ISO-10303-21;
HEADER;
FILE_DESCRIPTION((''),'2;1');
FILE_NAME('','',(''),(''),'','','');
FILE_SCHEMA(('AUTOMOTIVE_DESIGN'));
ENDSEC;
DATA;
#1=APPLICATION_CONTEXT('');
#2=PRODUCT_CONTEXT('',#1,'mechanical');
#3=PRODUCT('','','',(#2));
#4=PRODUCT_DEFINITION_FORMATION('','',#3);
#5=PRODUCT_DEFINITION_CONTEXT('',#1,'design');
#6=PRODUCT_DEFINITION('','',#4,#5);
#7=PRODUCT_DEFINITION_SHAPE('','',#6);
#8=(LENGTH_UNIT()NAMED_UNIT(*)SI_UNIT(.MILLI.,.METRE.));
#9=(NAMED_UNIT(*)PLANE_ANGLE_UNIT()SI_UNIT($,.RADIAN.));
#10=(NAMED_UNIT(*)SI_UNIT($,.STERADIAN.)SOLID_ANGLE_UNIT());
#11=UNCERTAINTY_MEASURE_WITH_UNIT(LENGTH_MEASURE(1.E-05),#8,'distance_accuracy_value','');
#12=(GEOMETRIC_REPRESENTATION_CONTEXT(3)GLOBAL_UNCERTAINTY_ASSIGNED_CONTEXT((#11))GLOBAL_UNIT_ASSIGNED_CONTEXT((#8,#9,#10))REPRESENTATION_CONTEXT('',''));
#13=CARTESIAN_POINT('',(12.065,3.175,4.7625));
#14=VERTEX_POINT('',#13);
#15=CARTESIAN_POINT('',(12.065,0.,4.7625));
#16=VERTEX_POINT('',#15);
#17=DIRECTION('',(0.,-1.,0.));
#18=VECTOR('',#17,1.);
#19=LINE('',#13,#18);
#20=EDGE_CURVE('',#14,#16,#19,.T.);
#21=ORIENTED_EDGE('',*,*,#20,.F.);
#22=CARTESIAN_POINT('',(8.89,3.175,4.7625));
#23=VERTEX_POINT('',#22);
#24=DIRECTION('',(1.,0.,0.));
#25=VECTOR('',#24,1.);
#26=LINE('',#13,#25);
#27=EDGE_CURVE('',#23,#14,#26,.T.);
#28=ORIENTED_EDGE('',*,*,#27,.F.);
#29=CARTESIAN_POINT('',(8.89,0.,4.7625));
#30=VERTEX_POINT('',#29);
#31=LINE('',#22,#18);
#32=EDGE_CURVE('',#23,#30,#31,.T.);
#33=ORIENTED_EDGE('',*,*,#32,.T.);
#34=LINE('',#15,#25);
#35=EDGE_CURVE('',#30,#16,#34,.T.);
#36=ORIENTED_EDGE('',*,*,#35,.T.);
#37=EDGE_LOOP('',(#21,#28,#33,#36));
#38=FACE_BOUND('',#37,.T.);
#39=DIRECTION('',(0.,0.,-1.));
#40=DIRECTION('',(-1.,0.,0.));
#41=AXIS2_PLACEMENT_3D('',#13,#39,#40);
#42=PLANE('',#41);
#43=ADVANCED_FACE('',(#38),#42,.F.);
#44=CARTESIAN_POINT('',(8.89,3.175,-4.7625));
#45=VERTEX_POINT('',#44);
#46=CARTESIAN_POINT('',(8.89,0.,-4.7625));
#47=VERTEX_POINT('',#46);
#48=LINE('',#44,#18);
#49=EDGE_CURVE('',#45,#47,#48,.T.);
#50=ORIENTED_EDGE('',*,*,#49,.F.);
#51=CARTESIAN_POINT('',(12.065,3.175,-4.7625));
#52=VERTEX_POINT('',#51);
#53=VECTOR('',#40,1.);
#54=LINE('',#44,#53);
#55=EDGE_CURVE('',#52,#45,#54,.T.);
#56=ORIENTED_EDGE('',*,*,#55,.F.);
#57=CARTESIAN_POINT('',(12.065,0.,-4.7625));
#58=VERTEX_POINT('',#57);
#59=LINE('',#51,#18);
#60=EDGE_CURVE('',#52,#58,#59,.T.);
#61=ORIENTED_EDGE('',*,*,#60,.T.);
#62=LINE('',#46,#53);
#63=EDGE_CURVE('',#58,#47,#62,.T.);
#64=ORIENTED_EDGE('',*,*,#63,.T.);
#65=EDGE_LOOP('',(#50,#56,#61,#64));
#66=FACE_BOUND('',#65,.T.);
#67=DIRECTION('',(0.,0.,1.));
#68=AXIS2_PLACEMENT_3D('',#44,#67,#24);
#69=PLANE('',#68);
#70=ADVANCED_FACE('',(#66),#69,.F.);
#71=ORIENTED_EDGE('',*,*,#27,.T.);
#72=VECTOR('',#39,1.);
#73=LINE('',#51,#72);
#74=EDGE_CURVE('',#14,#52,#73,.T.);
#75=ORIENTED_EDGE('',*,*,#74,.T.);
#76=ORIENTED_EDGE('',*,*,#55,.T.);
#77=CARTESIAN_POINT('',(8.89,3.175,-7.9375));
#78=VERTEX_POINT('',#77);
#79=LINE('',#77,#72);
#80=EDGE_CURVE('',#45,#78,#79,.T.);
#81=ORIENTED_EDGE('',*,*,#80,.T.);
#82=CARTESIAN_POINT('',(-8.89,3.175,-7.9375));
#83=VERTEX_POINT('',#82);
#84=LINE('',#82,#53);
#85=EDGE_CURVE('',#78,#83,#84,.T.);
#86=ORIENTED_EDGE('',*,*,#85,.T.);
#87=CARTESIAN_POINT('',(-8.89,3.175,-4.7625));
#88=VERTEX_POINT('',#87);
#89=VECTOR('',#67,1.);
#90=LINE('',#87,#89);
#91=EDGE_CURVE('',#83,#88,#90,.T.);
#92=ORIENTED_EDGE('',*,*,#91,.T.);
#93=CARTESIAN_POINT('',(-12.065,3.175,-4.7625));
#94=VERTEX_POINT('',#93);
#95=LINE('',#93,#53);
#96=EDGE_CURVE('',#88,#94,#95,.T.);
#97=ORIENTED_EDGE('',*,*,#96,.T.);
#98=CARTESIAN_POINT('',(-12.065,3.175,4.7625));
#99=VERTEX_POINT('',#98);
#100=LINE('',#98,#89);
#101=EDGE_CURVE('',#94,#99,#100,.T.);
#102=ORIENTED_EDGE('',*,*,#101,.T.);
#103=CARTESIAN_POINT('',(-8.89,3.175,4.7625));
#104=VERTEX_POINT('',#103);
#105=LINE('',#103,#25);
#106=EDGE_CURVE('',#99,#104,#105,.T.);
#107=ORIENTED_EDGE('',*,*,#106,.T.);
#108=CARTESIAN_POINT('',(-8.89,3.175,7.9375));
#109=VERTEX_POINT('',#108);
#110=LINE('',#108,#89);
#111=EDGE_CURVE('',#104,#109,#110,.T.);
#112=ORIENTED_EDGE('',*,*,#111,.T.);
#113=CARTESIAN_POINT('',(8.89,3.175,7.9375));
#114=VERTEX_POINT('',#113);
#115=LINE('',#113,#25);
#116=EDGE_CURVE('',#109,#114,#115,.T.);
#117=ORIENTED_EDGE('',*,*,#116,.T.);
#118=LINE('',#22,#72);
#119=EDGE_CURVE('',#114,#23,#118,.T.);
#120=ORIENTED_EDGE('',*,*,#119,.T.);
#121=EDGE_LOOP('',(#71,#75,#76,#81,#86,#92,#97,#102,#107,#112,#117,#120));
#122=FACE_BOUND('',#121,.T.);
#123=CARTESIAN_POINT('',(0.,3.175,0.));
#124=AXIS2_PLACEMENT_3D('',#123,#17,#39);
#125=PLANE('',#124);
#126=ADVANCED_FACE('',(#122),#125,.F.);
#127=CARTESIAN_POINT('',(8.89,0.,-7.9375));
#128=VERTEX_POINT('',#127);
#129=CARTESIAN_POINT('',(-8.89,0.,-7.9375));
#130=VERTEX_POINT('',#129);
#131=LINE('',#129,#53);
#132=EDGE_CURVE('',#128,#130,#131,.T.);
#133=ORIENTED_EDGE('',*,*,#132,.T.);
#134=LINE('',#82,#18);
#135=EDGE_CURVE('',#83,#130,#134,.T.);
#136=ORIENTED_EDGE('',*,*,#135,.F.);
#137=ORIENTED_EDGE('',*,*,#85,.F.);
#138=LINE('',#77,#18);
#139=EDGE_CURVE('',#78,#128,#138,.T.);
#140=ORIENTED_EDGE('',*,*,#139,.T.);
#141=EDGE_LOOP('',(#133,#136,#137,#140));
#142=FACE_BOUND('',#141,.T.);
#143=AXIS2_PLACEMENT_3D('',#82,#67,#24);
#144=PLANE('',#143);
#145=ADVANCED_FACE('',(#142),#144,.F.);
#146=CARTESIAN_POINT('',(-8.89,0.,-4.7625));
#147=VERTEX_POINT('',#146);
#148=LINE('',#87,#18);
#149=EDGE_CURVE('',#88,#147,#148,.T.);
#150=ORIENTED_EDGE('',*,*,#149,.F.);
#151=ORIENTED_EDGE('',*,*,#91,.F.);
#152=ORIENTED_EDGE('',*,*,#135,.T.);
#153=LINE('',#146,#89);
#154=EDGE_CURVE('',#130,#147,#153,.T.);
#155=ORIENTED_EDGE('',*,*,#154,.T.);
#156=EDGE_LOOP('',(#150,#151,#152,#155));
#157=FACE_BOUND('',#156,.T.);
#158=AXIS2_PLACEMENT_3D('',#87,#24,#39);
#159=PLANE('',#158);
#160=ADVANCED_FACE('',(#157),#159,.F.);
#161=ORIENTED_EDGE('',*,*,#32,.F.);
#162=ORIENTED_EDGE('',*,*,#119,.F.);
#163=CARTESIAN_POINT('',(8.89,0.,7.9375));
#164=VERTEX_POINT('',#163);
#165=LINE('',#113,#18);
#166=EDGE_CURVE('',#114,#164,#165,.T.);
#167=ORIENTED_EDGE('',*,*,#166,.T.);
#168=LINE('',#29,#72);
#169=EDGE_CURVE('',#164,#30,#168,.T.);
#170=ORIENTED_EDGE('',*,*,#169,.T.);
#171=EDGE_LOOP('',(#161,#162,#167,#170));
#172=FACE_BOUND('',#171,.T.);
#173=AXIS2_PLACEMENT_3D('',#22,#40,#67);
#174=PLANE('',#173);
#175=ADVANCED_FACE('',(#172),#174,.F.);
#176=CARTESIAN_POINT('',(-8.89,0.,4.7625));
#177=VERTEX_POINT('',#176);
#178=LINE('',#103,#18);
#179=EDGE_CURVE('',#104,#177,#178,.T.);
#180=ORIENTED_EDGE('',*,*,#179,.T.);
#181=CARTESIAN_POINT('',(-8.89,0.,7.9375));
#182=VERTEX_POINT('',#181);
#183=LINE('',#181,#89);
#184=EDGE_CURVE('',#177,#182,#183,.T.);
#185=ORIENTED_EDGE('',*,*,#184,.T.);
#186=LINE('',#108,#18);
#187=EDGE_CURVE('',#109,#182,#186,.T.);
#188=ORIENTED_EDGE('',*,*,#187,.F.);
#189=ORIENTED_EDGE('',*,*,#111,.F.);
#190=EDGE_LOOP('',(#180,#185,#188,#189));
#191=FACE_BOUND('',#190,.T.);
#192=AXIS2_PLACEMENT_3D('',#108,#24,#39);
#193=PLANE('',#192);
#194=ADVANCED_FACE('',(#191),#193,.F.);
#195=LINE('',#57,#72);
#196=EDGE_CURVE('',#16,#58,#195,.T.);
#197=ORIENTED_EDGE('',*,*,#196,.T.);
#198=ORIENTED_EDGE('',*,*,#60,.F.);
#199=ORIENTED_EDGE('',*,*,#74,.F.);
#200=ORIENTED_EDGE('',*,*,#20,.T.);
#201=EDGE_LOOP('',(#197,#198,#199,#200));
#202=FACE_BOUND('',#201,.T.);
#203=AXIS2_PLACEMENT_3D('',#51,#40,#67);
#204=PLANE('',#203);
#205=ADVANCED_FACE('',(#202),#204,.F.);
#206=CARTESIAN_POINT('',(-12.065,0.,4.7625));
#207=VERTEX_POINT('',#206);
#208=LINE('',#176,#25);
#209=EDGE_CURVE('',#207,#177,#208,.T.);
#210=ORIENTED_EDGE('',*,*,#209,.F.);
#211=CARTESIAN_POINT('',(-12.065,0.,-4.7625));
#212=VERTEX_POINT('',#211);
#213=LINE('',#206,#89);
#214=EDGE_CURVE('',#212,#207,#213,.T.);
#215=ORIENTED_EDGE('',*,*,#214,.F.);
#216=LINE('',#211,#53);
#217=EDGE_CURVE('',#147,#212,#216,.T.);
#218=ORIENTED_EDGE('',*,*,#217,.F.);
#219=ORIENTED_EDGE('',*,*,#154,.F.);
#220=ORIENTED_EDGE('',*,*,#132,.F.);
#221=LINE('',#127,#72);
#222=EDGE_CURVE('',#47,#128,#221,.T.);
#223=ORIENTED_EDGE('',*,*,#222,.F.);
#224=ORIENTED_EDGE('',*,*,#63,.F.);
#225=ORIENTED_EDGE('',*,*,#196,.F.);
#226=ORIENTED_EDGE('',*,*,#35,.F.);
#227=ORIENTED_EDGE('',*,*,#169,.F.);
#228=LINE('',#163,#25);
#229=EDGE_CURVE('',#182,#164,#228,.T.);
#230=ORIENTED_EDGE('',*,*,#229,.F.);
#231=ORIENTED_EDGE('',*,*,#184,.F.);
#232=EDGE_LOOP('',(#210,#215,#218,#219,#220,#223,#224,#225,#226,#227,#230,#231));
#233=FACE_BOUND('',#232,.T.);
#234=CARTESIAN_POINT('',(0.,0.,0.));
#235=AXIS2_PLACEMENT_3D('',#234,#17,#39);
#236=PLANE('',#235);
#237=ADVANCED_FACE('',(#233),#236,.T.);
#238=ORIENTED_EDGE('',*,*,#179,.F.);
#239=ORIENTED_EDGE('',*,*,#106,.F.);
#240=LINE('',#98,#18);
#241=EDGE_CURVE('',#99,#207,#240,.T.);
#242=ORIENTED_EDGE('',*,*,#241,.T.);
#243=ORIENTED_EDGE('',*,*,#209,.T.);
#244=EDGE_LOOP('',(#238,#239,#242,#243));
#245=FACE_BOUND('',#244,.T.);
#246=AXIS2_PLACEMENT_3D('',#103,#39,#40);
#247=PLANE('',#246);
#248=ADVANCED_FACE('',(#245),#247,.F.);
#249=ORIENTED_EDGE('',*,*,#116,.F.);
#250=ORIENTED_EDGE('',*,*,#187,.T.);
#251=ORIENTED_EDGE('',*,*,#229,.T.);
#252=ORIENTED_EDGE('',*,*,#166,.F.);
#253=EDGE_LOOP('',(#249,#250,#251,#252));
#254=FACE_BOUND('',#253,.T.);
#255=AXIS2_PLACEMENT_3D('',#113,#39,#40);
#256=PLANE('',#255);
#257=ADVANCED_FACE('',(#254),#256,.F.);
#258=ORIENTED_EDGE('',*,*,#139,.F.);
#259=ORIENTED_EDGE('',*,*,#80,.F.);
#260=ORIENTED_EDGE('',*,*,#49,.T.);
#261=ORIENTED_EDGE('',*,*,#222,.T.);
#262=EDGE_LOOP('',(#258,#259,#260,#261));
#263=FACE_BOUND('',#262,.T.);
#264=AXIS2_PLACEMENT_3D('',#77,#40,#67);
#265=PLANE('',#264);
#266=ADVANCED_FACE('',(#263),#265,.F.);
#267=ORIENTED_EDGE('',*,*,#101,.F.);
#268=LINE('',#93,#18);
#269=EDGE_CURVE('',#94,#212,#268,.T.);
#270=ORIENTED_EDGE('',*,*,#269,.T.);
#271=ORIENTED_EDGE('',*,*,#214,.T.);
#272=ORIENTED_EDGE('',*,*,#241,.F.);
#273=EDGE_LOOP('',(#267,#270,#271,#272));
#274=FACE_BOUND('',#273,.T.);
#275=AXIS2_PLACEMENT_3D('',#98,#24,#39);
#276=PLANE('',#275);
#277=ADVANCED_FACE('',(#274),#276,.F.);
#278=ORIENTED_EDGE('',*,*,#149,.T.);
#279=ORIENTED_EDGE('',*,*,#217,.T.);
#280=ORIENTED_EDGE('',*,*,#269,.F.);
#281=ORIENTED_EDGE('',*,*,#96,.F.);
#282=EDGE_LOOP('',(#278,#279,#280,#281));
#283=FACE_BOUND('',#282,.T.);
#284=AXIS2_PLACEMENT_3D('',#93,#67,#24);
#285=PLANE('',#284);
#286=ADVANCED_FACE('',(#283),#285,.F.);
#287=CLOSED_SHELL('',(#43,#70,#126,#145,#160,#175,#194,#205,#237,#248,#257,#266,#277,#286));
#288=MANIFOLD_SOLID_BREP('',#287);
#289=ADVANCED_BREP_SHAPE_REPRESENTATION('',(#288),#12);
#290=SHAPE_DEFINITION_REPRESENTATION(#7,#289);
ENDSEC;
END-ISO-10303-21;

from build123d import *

# Parameters (mm, degrees)
BOSS_EXTRUDE1_DEPTH = 3.175


with BuildPart() as part:
    # Sketch1 → Boss-Extrude1 (new body)
    with BuildSketch(Plane(origin=(0, 0, 0), x_dir=(1, 0, 0), z_dir=(0, 1, 0))):
        Polygon((-8.89, 7.9375), (8.89, 7.9375), (8.89, 4.7625), (12.065, 4.7625), (12.065, -4.7625), (8.89, -4.7625), (8.89, -7.9375), (-8.89, -7.9375), (-8.89, -4.7625), (-12.065, -4.7625), (-12.065, 4.7625), (-8.89, 4.7625), align=None)
    extrude(amount=BOSS_EXTRUDE1_DEPTH)


solid = part.part
